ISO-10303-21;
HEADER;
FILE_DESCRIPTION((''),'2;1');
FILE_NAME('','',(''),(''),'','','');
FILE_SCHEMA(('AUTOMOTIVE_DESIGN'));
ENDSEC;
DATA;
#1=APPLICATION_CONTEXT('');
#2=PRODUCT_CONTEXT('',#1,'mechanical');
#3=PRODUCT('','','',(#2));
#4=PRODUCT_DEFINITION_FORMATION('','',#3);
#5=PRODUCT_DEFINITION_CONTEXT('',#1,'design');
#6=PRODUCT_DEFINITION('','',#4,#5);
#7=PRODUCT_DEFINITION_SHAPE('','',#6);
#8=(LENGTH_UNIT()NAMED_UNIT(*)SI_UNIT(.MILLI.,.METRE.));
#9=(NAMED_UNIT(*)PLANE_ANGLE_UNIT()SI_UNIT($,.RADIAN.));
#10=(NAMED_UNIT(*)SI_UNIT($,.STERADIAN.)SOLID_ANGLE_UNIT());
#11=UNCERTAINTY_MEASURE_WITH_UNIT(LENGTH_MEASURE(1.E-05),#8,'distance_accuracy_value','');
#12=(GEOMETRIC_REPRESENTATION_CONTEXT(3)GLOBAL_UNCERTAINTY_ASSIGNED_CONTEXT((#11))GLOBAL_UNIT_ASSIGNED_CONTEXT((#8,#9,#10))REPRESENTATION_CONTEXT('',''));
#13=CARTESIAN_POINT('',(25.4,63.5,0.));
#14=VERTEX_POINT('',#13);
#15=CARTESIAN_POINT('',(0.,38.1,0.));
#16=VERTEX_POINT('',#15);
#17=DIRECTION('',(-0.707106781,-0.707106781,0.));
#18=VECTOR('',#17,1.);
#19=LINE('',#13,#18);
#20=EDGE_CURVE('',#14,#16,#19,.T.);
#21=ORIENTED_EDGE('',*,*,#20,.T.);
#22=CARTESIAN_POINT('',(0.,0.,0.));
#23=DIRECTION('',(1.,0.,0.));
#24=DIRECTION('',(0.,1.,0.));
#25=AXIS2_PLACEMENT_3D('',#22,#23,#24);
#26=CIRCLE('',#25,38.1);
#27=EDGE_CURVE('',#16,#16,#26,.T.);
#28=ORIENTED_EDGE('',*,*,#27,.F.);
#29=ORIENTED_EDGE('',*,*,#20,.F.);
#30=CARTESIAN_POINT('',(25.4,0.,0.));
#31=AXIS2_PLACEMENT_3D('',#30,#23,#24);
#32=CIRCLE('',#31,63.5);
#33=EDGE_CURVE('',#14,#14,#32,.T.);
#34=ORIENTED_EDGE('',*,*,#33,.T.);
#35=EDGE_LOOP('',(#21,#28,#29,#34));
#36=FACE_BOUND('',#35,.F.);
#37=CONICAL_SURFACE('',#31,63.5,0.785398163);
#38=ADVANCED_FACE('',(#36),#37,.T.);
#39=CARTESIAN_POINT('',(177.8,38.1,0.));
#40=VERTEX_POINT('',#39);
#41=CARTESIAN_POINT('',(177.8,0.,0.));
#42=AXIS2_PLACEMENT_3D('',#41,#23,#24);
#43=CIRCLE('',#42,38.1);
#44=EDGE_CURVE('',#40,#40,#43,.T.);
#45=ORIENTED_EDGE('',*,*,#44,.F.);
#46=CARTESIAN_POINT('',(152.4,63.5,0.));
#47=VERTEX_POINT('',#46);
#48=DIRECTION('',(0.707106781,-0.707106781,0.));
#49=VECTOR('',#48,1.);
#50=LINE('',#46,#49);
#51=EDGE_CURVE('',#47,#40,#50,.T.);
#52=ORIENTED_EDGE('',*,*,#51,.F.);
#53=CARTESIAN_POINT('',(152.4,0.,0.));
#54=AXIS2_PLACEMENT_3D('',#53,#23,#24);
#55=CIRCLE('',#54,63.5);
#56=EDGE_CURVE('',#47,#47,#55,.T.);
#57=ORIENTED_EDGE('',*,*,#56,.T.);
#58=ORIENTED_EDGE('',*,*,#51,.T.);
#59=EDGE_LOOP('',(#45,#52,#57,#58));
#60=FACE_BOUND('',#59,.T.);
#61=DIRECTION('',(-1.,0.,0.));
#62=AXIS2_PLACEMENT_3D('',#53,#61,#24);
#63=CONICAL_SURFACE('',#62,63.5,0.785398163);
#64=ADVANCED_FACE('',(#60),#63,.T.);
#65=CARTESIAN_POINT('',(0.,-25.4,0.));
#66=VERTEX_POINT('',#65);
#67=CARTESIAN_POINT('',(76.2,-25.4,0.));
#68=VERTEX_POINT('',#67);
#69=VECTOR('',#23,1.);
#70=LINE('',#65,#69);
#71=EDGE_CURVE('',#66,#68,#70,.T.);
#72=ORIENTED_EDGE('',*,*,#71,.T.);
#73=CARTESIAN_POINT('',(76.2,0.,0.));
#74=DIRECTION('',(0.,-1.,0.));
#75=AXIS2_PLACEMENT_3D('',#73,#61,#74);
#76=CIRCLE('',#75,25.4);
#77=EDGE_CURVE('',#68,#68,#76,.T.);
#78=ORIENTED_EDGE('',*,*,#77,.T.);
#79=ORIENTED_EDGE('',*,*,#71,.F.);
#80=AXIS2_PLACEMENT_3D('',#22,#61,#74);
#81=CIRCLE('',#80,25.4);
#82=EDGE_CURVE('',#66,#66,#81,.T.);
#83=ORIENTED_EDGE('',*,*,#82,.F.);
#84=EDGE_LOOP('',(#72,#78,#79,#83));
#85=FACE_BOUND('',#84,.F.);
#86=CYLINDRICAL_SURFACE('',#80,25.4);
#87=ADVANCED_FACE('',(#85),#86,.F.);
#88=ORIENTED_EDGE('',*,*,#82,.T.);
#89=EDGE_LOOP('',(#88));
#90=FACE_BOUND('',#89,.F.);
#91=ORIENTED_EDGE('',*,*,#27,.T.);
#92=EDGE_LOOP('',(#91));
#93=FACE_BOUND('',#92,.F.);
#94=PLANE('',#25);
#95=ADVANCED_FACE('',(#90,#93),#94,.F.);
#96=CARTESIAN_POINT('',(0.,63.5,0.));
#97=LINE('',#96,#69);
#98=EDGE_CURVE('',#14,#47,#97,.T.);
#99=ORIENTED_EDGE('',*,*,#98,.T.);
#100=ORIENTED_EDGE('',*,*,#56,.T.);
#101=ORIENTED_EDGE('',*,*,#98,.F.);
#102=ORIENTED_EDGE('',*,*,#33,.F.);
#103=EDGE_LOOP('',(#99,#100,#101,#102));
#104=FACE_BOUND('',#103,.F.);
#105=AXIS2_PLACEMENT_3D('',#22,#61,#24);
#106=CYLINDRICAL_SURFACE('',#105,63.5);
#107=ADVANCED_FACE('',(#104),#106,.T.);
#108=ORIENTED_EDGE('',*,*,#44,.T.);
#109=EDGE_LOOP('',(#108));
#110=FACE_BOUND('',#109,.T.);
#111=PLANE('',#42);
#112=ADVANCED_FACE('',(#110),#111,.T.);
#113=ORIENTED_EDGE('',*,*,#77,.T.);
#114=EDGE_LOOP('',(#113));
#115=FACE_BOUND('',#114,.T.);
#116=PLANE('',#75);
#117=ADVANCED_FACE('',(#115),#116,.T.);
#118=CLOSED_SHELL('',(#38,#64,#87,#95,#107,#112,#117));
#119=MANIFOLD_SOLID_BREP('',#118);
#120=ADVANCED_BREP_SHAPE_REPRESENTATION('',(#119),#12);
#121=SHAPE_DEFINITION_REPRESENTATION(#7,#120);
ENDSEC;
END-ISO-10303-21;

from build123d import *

# Parameters (mm, degrees)
F0_R     = 63.5
F1_DEPTH = 177.8
F2_R     = 25.4
F3_DEPTH = 76.2
F4_SIZE  = 25.4


with BuildPart() as f1:
    # F0 (on Right) → F1 (new body)
    with BuildSketch(Plane.YZ):
        Circle(F0_R)
    extrude(amount=F1_DEPTH)

    # F2 (on face) → F3 (cut)
    with BuildSketch(Plane(origin=(0, 0, 0), x_dir=(0, -1, 0), z_dir=(-1, 0, 0))):
        Circle(F2_R)
    extrude(amount=-F3_DEPTH, mode=Mode.SUBTRACT)

    # F4
    f4_edges = [f1.edges().sort_by_distance(p)[0] for p in [
        (0, -63.5, 0),
        (177.8, -63.5, 0),
    ]]
    chamfer(f4_edges, length=F4_SIZE)


solid = f1.part
